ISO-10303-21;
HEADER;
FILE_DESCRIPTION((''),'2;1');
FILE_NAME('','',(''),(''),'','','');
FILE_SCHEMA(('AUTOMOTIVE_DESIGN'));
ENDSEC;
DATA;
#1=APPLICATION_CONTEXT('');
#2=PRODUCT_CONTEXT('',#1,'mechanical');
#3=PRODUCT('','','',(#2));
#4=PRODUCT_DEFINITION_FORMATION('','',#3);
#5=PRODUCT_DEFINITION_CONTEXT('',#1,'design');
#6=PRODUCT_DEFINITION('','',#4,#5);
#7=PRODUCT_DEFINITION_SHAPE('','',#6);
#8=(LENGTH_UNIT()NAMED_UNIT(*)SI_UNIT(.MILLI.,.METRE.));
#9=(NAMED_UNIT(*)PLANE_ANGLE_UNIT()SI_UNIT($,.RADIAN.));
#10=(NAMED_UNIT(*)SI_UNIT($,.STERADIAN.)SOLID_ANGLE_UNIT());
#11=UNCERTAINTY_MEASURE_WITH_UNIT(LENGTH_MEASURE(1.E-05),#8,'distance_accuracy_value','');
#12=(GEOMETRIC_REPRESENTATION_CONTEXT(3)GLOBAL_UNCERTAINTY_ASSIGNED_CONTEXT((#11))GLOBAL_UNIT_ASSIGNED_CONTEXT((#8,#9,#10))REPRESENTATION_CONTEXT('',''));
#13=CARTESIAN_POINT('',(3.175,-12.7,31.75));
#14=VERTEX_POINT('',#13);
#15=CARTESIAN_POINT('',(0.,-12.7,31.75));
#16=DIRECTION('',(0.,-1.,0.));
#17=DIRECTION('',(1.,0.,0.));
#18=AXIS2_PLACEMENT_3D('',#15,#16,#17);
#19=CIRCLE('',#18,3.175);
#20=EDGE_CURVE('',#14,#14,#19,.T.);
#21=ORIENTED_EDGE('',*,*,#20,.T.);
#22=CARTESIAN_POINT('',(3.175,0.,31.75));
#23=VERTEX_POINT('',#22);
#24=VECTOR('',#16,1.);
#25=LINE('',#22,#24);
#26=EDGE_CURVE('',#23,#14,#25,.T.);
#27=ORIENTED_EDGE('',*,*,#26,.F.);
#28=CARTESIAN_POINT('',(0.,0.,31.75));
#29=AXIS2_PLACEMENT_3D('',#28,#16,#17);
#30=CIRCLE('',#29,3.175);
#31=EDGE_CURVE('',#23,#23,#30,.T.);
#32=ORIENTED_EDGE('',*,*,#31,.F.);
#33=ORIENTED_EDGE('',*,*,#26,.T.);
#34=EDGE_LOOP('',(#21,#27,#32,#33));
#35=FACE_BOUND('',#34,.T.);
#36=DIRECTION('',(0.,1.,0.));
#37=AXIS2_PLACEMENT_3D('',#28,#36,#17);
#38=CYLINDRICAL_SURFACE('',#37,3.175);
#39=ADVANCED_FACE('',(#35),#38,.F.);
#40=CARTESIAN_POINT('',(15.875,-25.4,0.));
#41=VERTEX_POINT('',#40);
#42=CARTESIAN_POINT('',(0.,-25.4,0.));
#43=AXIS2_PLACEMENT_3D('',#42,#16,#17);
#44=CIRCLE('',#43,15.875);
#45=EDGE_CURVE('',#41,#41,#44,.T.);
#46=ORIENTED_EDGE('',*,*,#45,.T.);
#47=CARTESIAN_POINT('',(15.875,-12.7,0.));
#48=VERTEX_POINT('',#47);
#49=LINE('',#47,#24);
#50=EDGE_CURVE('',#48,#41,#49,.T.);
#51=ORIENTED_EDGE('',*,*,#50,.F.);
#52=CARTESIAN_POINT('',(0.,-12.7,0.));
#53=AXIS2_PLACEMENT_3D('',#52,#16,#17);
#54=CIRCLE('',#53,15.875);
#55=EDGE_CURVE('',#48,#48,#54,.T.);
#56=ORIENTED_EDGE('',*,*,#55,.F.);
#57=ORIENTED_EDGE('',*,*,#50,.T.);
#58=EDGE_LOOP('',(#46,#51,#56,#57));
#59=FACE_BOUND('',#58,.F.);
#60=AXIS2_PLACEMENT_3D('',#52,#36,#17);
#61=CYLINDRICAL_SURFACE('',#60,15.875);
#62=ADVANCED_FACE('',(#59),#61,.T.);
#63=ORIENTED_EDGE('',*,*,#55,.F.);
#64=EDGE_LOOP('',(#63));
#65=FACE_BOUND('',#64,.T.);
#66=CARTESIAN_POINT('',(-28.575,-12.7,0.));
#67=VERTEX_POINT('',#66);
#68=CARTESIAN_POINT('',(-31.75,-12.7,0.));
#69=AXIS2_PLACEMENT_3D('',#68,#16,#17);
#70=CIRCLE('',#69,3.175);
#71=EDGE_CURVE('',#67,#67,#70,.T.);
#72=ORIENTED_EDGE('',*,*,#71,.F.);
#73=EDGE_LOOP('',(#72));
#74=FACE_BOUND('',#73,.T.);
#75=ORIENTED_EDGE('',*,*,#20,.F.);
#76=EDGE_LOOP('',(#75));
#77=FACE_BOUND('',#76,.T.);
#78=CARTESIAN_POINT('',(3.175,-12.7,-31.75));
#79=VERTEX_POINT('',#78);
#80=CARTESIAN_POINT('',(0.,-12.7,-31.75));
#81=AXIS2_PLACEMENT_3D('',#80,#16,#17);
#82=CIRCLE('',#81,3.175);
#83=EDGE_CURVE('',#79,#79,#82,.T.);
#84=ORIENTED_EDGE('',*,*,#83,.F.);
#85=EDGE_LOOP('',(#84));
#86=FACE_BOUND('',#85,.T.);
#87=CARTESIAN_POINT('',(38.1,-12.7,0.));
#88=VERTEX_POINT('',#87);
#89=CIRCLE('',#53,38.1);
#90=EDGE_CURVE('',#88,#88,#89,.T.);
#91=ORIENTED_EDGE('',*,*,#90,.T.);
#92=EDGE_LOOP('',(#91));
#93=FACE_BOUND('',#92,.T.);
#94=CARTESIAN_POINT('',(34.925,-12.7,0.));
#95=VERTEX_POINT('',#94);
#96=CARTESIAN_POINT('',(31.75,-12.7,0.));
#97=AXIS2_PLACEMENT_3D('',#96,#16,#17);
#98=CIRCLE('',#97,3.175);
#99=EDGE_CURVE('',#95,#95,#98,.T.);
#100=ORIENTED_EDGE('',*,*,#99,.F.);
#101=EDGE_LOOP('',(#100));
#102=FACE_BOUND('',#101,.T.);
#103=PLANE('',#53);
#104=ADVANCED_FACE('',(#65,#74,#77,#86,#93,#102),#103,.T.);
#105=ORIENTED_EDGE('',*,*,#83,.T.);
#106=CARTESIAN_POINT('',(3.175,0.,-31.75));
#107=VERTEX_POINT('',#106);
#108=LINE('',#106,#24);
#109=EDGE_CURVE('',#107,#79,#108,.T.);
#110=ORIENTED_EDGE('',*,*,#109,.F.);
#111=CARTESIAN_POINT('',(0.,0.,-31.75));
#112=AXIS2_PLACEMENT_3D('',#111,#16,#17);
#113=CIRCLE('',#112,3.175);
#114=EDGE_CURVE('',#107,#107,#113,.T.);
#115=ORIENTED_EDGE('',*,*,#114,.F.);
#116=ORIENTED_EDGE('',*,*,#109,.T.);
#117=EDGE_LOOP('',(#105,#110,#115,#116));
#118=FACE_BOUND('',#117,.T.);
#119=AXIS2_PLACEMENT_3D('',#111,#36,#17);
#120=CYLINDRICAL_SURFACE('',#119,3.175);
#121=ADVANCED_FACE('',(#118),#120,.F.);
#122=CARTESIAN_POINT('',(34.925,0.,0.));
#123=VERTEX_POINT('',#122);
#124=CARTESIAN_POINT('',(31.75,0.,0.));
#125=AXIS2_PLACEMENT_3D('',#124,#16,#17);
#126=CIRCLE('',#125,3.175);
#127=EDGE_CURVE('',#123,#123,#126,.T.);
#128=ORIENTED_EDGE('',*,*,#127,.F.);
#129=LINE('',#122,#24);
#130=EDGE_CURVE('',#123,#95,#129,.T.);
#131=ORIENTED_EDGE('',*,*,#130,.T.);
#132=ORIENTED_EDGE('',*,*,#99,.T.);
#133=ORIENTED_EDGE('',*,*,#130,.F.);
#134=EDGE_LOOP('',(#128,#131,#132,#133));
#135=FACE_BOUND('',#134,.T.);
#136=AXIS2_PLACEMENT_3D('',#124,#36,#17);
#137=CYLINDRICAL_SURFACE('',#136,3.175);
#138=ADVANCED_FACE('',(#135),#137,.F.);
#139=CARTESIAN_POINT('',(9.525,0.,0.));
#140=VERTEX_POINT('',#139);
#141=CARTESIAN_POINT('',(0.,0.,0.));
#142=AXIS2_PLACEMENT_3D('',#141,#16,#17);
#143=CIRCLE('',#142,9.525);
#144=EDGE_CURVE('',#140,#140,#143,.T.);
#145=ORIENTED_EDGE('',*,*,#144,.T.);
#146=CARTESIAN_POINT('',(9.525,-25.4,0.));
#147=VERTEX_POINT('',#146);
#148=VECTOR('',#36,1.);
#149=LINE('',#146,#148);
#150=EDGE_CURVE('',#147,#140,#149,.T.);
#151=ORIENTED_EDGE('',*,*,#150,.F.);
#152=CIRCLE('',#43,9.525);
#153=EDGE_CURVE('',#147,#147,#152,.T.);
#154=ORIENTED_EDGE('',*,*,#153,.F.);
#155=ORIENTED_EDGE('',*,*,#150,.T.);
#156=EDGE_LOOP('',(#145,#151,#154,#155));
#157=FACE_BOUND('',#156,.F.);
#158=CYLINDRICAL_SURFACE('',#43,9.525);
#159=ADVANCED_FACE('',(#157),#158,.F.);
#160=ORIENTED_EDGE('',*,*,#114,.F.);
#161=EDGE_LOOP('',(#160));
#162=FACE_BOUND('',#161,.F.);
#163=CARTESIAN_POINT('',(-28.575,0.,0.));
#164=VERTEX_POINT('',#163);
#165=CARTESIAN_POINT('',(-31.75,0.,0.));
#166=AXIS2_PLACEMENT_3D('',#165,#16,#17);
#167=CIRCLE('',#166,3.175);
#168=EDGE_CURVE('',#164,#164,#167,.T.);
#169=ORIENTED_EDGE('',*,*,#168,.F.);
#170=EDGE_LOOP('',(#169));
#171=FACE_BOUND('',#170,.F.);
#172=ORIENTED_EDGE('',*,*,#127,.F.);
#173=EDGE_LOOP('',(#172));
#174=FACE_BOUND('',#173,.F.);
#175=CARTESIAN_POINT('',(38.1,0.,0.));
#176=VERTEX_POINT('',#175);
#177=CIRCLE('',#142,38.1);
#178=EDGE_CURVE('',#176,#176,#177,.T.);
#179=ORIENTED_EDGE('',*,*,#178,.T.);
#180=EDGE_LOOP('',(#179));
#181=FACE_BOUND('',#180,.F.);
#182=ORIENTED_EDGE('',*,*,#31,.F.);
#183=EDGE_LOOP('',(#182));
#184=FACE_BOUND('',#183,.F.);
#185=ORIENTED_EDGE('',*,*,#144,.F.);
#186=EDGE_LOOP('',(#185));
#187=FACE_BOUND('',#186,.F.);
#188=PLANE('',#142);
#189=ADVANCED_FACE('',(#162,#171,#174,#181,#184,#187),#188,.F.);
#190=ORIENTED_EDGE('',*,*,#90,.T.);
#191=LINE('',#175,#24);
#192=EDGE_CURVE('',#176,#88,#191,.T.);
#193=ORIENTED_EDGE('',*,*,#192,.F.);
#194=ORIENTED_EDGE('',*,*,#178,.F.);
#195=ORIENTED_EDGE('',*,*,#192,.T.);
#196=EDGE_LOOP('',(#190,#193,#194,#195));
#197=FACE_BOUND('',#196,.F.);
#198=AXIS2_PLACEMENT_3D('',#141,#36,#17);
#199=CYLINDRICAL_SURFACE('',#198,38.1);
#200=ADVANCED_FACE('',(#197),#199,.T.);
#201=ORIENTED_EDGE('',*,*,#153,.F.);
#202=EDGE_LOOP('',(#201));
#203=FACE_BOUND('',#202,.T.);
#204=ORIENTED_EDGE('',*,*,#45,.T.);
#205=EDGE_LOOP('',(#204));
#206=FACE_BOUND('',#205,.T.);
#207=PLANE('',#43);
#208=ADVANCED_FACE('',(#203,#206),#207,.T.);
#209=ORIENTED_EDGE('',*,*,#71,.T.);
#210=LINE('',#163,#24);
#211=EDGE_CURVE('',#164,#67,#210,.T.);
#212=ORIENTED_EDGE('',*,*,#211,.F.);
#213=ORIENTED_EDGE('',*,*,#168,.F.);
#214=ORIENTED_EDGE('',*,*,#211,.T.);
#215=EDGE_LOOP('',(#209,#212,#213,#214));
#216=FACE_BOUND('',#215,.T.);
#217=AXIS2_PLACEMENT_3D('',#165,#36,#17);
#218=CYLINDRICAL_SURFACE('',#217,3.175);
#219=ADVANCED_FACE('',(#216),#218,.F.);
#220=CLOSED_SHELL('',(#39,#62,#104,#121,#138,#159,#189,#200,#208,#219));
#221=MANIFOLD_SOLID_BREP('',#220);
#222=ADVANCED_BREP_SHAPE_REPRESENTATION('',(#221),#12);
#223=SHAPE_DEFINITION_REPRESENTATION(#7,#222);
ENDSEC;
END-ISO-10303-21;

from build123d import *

# Parameters (mm, degrees)
F0_R     = 38.1
F0_R_2   = 3.175
F1_DEPTH = 12.7
F2_R     = 15.875
F3_DEPTH = 12.7
F4_R     = 9.525
F5_DEPTH = 25.401


with BuildPart() as f1:
    # F0 (on Front) → F1 (new body)
    with BuildSketch(Plane.XZ):
        Circle(F0_R)
        with Locations((0, -31.75)):
            Circle(F0_R_2, mode=Mode.SUBTRACT)
        with Locations((-31.75, 0)):
            Circle(F0_R_2, mode=Mode.SUBTRACT)
        with Locations((31.75, 0)):
            Circle(F0_R_2, mode=Mode.SUBTRACT)
        with Locations((0, 31.75)):
            Circle(F0_R_2, mode=Mode.SUBTRACT)
    extrude(amount=F1_DEPTH)

    # F2 (on face) → F3 (join)
    with BuildSketch(Plane.XZ.offset(12.7)):
        Circle(F2_R)
    extrude(amount=F3_DEPTH)

    # F4 (on face) → F5 (cut, through all)
    with BuildSketch(Plane.XZ.offset(25.4)):
        Circle(F4_R)
    extrude(amount=-F5_DEPTH, mode=Mode.SUBTRACT)


solid = f1.part
